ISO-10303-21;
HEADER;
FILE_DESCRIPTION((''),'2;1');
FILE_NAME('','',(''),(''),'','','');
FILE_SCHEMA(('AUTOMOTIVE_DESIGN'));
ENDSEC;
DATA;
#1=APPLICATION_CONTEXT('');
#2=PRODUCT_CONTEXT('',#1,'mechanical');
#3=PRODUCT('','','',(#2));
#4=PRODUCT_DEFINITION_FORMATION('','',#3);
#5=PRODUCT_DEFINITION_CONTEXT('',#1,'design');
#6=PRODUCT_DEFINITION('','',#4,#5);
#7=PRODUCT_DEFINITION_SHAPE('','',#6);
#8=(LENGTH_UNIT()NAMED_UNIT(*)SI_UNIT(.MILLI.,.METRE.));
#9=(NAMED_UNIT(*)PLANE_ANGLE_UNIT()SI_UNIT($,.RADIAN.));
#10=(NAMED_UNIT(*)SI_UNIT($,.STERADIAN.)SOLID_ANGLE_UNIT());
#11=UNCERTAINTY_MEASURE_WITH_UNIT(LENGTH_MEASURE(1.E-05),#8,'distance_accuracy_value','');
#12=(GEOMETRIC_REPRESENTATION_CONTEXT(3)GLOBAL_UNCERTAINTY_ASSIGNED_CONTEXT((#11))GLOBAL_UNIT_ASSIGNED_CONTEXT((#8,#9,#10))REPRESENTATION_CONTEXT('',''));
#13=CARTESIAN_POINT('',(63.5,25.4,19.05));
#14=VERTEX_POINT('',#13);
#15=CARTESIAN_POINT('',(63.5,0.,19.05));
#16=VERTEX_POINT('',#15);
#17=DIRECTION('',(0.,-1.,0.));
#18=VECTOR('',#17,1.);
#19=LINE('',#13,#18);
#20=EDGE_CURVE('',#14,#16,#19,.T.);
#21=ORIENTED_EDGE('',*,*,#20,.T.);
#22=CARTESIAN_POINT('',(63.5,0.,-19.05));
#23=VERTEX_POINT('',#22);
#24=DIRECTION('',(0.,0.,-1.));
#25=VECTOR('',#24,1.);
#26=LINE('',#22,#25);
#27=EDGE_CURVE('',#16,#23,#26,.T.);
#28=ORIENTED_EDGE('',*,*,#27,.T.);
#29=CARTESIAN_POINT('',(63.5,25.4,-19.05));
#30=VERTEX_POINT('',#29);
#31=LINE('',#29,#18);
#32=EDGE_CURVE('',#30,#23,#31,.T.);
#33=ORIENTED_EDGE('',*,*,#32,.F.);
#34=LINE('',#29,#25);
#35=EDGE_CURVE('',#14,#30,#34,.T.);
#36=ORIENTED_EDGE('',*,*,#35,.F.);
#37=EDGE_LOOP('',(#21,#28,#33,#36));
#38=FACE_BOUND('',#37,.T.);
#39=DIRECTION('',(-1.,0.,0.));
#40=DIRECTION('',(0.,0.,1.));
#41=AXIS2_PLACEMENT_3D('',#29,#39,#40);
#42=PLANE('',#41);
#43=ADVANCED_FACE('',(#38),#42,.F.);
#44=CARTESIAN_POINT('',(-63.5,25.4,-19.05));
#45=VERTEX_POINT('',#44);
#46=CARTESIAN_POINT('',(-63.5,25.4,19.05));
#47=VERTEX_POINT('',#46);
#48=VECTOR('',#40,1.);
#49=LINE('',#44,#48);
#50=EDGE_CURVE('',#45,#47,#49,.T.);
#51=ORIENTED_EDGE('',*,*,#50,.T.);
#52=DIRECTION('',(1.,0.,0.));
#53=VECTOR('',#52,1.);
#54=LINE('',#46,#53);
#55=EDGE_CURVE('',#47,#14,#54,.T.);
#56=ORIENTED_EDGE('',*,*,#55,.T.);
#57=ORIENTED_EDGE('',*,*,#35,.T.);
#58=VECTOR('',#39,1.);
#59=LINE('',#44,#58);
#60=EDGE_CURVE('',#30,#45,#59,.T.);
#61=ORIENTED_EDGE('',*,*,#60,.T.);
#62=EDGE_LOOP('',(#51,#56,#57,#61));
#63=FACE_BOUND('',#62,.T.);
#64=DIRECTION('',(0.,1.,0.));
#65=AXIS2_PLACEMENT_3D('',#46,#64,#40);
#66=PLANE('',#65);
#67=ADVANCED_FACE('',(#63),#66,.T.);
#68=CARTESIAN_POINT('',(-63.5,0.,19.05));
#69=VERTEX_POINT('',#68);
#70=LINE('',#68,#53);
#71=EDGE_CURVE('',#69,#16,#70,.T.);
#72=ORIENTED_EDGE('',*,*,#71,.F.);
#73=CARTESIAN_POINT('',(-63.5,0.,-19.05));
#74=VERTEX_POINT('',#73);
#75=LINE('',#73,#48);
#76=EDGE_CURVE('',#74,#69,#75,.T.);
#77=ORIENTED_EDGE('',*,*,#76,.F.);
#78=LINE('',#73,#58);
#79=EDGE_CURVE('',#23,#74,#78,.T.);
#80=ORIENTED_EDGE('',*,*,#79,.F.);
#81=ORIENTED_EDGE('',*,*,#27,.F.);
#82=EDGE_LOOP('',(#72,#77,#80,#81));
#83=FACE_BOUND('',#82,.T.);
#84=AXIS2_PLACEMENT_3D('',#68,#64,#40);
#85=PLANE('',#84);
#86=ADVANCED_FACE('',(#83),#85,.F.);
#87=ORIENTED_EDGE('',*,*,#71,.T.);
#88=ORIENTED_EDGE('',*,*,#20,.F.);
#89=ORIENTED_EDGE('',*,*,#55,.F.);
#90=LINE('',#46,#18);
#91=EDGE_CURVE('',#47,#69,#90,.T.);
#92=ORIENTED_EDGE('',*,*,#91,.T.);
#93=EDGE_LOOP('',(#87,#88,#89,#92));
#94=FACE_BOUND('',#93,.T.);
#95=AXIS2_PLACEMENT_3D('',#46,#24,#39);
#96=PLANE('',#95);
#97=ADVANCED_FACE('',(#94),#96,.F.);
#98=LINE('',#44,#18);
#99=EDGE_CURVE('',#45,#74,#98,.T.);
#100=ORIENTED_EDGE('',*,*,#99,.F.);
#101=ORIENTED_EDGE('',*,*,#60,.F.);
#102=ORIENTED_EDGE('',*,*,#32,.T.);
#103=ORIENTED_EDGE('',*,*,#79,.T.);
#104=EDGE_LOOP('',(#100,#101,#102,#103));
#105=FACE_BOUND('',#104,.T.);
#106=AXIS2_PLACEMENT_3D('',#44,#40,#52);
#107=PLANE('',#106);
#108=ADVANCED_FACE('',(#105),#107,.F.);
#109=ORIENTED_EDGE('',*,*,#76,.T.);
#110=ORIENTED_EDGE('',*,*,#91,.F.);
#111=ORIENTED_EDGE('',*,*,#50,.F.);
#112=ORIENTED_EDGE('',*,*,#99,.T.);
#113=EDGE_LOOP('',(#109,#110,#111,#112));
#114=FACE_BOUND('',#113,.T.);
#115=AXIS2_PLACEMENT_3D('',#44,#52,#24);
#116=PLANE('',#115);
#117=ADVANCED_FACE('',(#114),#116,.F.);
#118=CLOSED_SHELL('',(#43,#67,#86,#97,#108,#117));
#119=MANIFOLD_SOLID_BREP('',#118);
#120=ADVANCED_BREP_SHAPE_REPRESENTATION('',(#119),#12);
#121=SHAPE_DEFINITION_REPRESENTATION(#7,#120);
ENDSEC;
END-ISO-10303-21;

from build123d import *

# Parameters (mm, degrees)
SKETCH1_W      = 127
SKETCH1_H      = 38.1
EXTRUDE1_DEPTH = 25.4


with BuildPart() as part:
    # Sketch1 → Extrude1 (new body)
    with BuildSketch(Plane(origin=(0, 0, 0), x_dir=(1, 0, 0), z_dir=(0, 1, 0))):
        Rectangle(SKETCH1_W, SKETCH1_H)
    extrude(amount=EXTRUDE1_DEPTH)


solid = part.part
